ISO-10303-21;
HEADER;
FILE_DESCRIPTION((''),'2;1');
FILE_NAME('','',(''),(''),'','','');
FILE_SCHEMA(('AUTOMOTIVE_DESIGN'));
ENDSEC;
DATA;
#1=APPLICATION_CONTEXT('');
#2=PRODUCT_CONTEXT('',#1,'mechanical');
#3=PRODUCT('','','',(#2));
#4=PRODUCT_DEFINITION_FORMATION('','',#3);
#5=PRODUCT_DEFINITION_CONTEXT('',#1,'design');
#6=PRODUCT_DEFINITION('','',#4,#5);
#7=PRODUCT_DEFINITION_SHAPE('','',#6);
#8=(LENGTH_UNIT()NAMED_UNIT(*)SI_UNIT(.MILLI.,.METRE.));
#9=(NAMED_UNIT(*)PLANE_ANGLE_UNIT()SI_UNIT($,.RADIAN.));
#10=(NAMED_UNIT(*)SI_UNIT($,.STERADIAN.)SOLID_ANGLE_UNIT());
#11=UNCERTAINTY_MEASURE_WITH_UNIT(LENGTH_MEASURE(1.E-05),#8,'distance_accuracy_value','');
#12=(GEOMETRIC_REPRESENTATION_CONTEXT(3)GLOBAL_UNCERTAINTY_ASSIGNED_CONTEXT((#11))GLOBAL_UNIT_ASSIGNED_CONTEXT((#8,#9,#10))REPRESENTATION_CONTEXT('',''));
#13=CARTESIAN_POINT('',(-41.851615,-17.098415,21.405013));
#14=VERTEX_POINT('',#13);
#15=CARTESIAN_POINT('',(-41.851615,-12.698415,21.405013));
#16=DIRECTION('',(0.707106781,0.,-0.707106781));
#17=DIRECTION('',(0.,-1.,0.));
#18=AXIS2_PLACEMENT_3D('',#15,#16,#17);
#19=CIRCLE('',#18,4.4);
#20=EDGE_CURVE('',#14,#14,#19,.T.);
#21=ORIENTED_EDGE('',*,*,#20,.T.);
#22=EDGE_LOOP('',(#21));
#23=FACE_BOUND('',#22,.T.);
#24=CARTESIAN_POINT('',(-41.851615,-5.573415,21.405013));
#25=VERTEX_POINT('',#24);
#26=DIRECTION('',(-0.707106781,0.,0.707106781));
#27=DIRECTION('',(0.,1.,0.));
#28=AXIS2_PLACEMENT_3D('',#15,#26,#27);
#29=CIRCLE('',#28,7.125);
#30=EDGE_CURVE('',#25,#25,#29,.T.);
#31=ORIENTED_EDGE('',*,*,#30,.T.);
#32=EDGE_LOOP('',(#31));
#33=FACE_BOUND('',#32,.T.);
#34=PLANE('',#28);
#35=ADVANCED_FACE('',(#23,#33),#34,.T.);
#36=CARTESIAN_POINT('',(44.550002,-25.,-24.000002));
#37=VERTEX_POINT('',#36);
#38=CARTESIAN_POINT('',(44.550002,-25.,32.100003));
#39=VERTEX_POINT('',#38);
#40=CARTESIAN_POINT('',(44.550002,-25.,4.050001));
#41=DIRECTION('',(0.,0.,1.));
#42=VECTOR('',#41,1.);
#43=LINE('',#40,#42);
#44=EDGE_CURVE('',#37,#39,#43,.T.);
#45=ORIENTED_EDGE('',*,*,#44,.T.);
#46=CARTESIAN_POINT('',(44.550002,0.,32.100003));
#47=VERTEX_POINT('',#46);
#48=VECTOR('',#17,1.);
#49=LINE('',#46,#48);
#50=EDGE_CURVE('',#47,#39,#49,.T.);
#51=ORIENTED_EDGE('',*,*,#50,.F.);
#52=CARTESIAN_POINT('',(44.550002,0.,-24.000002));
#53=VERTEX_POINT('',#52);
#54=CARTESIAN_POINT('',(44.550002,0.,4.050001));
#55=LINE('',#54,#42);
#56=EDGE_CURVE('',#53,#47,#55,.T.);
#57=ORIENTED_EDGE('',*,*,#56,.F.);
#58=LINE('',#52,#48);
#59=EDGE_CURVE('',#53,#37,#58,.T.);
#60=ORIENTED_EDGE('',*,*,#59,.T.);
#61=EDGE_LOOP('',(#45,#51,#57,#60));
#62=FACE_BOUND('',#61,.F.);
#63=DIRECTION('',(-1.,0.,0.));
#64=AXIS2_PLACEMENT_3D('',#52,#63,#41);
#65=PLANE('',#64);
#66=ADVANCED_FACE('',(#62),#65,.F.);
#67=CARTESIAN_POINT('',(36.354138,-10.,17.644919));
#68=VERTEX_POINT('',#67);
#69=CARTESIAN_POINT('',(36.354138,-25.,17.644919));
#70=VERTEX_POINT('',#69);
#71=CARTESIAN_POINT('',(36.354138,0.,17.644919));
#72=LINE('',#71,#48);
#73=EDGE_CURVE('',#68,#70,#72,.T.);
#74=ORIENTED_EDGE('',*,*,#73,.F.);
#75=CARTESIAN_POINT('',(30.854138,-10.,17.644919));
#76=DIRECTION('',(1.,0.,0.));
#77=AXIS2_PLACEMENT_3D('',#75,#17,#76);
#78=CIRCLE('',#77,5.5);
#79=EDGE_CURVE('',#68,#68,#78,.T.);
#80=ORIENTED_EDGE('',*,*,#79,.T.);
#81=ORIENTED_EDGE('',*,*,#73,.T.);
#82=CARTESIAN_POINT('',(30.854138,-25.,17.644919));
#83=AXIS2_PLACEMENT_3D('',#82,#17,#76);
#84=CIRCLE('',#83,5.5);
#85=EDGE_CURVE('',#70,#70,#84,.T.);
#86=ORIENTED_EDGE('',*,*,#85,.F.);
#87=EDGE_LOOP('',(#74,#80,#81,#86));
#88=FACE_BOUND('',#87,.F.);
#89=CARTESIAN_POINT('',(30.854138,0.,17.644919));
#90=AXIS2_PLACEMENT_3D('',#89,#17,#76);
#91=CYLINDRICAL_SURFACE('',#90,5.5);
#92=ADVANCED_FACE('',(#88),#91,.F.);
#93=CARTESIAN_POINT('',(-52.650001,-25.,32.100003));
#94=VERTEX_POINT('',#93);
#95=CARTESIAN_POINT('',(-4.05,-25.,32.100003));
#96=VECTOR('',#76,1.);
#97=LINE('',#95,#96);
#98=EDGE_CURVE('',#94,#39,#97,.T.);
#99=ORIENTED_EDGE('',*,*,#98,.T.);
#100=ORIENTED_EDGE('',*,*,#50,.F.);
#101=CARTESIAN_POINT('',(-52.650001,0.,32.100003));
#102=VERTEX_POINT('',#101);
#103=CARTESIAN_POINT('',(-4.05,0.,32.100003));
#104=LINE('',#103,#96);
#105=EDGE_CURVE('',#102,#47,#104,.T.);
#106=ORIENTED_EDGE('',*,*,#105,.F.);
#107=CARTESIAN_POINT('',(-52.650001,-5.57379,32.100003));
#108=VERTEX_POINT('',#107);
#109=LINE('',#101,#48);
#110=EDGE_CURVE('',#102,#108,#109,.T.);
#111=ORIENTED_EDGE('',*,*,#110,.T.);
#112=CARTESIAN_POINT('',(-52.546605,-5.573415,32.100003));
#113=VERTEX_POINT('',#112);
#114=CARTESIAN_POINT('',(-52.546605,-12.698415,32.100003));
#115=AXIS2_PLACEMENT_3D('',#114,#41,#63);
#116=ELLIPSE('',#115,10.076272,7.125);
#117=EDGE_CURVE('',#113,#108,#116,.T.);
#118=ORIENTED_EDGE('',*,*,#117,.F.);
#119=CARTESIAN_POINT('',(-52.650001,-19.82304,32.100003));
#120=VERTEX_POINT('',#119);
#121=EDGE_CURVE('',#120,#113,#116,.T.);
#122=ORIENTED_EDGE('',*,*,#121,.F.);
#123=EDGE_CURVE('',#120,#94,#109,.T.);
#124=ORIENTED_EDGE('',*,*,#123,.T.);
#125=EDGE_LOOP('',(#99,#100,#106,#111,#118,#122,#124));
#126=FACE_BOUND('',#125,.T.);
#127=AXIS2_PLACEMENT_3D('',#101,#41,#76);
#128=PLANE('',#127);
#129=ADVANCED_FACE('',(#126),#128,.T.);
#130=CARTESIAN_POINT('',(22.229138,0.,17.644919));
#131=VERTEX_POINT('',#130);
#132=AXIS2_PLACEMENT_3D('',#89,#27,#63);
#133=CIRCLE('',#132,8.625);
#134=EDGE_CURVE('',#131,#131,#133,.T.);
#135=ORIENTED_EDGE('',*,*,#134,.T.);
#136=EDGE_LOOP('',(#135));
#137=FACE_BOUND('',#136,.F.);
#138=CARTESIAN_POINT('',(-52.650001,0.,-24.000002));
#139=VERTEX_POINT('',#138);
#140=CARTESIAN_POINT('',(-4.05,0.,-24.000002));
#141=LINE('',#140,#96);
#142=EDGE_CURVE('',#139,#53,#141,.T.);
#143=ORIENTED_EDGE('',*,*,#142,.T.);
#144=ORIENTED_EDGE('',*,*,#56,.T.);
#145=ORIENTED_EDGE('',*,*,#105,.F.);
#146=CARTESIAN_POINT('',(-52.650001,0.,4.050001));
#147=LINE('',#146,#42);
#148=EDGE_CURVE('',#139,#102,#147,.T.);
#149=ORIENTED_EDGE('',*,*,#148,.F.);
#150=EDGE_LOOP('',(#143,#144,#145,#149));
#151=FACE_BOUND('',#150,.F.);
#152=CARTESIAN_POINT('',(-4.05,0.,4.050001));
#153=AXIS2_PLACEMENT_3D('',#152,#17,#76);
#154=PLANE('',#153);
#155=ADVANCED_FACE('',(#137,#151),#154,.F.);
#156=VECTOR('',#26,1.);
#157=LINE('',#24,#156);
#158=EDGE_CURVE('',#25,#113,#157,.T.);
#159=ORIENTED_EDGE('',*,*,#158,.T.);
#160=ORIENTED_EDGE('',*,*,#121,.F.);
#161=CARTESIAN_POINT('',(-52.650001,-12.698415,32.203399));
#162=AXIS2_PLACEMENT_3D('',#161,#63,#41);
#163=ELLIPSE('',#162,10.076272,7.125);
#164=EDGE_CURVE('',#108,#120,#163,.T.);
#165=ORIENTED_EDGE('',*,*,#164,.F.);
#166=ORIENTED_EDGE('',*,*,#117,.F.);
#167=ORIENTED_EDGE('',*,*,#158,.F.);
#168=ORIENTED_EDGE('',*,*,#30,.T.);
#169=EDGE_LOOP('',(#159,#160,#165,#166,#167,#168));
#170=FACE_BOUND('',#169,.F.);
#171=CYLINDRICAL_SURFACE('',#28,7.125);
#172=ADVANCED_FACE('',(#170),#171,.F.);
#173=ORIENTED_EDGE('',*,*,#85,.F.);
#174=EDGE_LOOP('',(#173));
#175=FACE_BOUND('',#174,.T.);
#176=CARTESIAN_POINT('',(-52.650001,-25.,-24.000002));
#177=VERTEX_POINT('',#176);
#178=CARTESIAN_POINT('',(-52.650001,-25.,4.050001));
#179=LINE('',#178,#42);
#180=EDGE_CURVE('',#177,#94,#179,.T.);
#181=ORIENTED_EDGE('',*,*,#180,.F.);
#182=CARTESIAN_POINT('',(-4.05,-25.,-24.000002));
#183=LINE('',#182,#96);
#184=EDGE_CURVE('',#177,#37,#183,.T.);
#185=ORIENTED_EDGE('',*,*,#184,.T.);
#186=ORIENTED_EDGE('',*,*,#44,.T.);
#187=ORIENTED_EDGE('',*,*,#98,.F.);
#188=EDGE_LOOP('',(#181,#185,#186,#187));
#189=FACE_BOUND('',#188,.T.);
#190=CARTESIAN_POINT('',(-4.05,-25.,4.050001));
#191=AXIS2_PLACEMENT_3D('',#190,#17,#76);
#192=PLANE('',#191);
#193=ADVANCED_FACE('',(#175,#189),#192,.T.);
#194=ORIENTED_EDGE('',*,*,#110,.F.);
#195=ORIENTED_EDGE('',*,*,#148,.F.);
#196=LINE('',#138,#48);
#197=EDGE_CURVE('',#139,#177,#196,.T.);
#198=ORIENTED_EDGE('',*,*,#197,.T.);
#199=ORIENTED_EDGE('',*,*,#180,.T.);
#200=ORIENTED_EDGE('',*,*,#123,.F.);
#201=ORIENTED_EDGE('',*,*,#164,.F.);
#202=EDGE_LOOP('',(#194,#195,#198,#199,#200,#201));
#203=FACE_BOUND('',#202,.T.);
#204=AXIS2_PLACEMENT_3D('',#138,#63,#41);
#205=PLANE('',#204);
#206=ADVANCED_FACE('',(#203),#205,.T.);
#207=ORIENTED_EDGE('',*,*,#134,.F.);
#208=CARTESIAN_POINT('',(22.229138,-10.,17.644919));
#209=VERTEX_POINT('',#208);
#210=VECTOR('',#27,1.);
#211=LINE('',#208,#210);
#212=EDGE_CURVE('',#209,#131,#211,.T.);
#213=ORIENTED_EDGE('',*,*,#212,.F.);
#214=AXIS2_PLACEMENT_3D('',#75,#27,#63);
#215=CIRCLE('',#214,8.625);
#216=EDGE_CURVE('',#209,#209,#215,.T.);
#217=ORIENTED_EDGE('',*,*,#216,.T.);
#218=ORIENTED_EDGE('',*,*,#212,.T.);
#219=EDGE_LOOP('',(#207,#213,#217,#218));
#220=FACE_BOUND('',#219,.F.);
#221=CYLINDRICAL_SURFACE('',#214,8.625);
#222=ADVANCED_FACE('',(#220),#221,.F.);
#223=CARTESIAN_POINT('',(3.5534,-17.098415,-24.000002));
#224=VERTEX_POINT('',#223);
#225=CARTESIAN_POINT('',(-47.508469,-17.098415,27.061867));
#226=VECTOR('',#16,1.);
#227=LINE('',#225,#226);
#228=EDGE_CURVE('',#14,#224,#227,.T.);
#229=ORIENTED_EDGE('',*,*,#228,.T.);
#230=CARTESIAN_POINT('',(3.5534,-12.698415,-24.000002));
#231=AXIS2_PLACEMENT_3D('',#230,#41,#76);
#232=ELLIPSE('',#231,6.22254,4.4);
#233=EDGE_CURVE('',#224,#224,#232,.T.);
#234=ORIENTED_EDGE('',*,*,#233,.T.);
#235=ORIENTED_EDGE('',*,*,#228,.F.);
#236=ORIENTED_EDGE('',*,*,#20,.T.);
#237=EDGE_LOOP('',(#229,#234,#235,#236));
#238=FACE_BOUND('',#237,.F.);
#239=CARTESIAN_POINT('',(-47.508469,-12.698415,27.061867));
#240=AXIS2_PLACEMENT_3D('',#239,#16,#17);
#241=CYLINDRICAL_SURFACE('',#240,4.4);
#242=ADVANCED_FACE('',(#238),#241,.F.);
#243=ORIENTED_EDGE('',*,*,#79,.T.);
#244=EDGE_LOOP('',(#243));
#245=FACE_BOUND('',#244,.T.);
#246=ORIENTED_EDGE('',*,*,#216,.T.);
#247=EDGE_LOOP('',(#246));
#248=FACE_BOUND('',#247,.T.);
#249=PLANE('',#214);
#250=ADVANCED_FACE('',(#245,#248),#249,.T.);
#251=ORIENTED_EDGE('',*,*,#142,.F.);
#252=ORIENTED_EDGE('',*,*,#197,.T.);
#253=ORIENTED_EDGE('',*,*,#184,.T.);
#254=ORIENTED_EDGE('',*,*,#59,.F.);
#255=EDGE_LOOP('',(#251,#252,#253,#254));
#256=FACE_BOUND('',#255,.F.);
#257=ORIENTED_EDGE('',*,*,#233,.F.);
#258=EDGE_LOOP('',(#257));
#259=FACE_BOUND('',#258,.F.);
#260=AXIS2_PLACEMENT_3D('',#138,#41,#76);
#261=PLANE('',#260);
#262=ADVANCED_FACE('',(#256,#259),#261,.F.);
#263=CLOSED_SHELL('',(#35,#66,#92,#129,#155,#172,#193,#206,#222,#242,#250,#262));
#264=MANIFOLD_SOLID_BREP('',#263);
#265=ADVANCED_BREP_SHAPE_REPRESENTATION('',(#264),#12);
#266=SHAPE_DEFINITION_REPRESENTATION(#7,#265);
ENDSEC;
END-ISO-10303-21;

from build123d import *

# Parameters (mm, degrees)
F0_W           = 97.2000025213
F0_H           = 56.100005284
F1_DEPTH       = 25
F5_D           = 11
F5_CBORE_D     = 17.25
F5_CBORE_DEPTH = 10
F6_D           = 8.8
F6_START       = 7.1981119
F6_CBORE_D     = 14.25
F6_CBORE_DEPTH = 8


with BuildPart() as f1:
    # F0 (on Front) → F1 (new body)
    with BuildSketch(Plane.XZ):
        with Locations((-4.0499996394, 4.0500005707)):
            Rectangle(F0_W, F0_H)
    extrude(amount=F1_DEPTH)

    # F5 (through all)
    with Locations(Plane(origin=(0, 0, 0), x_dir=(-1, 0, 0), z_dir=(0, 1, 0))):
        with Locations((-30.8541376144, 17.6449194551)):
            CounterBoreHole(F5_D / 2, F5_CBORE_D / 2, F5_CBORE_DEPTH)

    # F6 (through all)
    # its depths count from where the whole tool has entered the part; down to there all is cleared
    with Locations(Plane(origin=(-42.3750020564, 0, 42.3750020564), x_dir=(0, 1, 0), z_dir=(-0.7071067812, 0, 0.7071067812)).offset(-F6_START)):
        with Locations((-12.6984147355, 14.4579308107)):
            CounterBoreHole(F6_D / 2, F6_CBORE_D / 2, F6_CBORE_DEPTH)


solid = f1.part
